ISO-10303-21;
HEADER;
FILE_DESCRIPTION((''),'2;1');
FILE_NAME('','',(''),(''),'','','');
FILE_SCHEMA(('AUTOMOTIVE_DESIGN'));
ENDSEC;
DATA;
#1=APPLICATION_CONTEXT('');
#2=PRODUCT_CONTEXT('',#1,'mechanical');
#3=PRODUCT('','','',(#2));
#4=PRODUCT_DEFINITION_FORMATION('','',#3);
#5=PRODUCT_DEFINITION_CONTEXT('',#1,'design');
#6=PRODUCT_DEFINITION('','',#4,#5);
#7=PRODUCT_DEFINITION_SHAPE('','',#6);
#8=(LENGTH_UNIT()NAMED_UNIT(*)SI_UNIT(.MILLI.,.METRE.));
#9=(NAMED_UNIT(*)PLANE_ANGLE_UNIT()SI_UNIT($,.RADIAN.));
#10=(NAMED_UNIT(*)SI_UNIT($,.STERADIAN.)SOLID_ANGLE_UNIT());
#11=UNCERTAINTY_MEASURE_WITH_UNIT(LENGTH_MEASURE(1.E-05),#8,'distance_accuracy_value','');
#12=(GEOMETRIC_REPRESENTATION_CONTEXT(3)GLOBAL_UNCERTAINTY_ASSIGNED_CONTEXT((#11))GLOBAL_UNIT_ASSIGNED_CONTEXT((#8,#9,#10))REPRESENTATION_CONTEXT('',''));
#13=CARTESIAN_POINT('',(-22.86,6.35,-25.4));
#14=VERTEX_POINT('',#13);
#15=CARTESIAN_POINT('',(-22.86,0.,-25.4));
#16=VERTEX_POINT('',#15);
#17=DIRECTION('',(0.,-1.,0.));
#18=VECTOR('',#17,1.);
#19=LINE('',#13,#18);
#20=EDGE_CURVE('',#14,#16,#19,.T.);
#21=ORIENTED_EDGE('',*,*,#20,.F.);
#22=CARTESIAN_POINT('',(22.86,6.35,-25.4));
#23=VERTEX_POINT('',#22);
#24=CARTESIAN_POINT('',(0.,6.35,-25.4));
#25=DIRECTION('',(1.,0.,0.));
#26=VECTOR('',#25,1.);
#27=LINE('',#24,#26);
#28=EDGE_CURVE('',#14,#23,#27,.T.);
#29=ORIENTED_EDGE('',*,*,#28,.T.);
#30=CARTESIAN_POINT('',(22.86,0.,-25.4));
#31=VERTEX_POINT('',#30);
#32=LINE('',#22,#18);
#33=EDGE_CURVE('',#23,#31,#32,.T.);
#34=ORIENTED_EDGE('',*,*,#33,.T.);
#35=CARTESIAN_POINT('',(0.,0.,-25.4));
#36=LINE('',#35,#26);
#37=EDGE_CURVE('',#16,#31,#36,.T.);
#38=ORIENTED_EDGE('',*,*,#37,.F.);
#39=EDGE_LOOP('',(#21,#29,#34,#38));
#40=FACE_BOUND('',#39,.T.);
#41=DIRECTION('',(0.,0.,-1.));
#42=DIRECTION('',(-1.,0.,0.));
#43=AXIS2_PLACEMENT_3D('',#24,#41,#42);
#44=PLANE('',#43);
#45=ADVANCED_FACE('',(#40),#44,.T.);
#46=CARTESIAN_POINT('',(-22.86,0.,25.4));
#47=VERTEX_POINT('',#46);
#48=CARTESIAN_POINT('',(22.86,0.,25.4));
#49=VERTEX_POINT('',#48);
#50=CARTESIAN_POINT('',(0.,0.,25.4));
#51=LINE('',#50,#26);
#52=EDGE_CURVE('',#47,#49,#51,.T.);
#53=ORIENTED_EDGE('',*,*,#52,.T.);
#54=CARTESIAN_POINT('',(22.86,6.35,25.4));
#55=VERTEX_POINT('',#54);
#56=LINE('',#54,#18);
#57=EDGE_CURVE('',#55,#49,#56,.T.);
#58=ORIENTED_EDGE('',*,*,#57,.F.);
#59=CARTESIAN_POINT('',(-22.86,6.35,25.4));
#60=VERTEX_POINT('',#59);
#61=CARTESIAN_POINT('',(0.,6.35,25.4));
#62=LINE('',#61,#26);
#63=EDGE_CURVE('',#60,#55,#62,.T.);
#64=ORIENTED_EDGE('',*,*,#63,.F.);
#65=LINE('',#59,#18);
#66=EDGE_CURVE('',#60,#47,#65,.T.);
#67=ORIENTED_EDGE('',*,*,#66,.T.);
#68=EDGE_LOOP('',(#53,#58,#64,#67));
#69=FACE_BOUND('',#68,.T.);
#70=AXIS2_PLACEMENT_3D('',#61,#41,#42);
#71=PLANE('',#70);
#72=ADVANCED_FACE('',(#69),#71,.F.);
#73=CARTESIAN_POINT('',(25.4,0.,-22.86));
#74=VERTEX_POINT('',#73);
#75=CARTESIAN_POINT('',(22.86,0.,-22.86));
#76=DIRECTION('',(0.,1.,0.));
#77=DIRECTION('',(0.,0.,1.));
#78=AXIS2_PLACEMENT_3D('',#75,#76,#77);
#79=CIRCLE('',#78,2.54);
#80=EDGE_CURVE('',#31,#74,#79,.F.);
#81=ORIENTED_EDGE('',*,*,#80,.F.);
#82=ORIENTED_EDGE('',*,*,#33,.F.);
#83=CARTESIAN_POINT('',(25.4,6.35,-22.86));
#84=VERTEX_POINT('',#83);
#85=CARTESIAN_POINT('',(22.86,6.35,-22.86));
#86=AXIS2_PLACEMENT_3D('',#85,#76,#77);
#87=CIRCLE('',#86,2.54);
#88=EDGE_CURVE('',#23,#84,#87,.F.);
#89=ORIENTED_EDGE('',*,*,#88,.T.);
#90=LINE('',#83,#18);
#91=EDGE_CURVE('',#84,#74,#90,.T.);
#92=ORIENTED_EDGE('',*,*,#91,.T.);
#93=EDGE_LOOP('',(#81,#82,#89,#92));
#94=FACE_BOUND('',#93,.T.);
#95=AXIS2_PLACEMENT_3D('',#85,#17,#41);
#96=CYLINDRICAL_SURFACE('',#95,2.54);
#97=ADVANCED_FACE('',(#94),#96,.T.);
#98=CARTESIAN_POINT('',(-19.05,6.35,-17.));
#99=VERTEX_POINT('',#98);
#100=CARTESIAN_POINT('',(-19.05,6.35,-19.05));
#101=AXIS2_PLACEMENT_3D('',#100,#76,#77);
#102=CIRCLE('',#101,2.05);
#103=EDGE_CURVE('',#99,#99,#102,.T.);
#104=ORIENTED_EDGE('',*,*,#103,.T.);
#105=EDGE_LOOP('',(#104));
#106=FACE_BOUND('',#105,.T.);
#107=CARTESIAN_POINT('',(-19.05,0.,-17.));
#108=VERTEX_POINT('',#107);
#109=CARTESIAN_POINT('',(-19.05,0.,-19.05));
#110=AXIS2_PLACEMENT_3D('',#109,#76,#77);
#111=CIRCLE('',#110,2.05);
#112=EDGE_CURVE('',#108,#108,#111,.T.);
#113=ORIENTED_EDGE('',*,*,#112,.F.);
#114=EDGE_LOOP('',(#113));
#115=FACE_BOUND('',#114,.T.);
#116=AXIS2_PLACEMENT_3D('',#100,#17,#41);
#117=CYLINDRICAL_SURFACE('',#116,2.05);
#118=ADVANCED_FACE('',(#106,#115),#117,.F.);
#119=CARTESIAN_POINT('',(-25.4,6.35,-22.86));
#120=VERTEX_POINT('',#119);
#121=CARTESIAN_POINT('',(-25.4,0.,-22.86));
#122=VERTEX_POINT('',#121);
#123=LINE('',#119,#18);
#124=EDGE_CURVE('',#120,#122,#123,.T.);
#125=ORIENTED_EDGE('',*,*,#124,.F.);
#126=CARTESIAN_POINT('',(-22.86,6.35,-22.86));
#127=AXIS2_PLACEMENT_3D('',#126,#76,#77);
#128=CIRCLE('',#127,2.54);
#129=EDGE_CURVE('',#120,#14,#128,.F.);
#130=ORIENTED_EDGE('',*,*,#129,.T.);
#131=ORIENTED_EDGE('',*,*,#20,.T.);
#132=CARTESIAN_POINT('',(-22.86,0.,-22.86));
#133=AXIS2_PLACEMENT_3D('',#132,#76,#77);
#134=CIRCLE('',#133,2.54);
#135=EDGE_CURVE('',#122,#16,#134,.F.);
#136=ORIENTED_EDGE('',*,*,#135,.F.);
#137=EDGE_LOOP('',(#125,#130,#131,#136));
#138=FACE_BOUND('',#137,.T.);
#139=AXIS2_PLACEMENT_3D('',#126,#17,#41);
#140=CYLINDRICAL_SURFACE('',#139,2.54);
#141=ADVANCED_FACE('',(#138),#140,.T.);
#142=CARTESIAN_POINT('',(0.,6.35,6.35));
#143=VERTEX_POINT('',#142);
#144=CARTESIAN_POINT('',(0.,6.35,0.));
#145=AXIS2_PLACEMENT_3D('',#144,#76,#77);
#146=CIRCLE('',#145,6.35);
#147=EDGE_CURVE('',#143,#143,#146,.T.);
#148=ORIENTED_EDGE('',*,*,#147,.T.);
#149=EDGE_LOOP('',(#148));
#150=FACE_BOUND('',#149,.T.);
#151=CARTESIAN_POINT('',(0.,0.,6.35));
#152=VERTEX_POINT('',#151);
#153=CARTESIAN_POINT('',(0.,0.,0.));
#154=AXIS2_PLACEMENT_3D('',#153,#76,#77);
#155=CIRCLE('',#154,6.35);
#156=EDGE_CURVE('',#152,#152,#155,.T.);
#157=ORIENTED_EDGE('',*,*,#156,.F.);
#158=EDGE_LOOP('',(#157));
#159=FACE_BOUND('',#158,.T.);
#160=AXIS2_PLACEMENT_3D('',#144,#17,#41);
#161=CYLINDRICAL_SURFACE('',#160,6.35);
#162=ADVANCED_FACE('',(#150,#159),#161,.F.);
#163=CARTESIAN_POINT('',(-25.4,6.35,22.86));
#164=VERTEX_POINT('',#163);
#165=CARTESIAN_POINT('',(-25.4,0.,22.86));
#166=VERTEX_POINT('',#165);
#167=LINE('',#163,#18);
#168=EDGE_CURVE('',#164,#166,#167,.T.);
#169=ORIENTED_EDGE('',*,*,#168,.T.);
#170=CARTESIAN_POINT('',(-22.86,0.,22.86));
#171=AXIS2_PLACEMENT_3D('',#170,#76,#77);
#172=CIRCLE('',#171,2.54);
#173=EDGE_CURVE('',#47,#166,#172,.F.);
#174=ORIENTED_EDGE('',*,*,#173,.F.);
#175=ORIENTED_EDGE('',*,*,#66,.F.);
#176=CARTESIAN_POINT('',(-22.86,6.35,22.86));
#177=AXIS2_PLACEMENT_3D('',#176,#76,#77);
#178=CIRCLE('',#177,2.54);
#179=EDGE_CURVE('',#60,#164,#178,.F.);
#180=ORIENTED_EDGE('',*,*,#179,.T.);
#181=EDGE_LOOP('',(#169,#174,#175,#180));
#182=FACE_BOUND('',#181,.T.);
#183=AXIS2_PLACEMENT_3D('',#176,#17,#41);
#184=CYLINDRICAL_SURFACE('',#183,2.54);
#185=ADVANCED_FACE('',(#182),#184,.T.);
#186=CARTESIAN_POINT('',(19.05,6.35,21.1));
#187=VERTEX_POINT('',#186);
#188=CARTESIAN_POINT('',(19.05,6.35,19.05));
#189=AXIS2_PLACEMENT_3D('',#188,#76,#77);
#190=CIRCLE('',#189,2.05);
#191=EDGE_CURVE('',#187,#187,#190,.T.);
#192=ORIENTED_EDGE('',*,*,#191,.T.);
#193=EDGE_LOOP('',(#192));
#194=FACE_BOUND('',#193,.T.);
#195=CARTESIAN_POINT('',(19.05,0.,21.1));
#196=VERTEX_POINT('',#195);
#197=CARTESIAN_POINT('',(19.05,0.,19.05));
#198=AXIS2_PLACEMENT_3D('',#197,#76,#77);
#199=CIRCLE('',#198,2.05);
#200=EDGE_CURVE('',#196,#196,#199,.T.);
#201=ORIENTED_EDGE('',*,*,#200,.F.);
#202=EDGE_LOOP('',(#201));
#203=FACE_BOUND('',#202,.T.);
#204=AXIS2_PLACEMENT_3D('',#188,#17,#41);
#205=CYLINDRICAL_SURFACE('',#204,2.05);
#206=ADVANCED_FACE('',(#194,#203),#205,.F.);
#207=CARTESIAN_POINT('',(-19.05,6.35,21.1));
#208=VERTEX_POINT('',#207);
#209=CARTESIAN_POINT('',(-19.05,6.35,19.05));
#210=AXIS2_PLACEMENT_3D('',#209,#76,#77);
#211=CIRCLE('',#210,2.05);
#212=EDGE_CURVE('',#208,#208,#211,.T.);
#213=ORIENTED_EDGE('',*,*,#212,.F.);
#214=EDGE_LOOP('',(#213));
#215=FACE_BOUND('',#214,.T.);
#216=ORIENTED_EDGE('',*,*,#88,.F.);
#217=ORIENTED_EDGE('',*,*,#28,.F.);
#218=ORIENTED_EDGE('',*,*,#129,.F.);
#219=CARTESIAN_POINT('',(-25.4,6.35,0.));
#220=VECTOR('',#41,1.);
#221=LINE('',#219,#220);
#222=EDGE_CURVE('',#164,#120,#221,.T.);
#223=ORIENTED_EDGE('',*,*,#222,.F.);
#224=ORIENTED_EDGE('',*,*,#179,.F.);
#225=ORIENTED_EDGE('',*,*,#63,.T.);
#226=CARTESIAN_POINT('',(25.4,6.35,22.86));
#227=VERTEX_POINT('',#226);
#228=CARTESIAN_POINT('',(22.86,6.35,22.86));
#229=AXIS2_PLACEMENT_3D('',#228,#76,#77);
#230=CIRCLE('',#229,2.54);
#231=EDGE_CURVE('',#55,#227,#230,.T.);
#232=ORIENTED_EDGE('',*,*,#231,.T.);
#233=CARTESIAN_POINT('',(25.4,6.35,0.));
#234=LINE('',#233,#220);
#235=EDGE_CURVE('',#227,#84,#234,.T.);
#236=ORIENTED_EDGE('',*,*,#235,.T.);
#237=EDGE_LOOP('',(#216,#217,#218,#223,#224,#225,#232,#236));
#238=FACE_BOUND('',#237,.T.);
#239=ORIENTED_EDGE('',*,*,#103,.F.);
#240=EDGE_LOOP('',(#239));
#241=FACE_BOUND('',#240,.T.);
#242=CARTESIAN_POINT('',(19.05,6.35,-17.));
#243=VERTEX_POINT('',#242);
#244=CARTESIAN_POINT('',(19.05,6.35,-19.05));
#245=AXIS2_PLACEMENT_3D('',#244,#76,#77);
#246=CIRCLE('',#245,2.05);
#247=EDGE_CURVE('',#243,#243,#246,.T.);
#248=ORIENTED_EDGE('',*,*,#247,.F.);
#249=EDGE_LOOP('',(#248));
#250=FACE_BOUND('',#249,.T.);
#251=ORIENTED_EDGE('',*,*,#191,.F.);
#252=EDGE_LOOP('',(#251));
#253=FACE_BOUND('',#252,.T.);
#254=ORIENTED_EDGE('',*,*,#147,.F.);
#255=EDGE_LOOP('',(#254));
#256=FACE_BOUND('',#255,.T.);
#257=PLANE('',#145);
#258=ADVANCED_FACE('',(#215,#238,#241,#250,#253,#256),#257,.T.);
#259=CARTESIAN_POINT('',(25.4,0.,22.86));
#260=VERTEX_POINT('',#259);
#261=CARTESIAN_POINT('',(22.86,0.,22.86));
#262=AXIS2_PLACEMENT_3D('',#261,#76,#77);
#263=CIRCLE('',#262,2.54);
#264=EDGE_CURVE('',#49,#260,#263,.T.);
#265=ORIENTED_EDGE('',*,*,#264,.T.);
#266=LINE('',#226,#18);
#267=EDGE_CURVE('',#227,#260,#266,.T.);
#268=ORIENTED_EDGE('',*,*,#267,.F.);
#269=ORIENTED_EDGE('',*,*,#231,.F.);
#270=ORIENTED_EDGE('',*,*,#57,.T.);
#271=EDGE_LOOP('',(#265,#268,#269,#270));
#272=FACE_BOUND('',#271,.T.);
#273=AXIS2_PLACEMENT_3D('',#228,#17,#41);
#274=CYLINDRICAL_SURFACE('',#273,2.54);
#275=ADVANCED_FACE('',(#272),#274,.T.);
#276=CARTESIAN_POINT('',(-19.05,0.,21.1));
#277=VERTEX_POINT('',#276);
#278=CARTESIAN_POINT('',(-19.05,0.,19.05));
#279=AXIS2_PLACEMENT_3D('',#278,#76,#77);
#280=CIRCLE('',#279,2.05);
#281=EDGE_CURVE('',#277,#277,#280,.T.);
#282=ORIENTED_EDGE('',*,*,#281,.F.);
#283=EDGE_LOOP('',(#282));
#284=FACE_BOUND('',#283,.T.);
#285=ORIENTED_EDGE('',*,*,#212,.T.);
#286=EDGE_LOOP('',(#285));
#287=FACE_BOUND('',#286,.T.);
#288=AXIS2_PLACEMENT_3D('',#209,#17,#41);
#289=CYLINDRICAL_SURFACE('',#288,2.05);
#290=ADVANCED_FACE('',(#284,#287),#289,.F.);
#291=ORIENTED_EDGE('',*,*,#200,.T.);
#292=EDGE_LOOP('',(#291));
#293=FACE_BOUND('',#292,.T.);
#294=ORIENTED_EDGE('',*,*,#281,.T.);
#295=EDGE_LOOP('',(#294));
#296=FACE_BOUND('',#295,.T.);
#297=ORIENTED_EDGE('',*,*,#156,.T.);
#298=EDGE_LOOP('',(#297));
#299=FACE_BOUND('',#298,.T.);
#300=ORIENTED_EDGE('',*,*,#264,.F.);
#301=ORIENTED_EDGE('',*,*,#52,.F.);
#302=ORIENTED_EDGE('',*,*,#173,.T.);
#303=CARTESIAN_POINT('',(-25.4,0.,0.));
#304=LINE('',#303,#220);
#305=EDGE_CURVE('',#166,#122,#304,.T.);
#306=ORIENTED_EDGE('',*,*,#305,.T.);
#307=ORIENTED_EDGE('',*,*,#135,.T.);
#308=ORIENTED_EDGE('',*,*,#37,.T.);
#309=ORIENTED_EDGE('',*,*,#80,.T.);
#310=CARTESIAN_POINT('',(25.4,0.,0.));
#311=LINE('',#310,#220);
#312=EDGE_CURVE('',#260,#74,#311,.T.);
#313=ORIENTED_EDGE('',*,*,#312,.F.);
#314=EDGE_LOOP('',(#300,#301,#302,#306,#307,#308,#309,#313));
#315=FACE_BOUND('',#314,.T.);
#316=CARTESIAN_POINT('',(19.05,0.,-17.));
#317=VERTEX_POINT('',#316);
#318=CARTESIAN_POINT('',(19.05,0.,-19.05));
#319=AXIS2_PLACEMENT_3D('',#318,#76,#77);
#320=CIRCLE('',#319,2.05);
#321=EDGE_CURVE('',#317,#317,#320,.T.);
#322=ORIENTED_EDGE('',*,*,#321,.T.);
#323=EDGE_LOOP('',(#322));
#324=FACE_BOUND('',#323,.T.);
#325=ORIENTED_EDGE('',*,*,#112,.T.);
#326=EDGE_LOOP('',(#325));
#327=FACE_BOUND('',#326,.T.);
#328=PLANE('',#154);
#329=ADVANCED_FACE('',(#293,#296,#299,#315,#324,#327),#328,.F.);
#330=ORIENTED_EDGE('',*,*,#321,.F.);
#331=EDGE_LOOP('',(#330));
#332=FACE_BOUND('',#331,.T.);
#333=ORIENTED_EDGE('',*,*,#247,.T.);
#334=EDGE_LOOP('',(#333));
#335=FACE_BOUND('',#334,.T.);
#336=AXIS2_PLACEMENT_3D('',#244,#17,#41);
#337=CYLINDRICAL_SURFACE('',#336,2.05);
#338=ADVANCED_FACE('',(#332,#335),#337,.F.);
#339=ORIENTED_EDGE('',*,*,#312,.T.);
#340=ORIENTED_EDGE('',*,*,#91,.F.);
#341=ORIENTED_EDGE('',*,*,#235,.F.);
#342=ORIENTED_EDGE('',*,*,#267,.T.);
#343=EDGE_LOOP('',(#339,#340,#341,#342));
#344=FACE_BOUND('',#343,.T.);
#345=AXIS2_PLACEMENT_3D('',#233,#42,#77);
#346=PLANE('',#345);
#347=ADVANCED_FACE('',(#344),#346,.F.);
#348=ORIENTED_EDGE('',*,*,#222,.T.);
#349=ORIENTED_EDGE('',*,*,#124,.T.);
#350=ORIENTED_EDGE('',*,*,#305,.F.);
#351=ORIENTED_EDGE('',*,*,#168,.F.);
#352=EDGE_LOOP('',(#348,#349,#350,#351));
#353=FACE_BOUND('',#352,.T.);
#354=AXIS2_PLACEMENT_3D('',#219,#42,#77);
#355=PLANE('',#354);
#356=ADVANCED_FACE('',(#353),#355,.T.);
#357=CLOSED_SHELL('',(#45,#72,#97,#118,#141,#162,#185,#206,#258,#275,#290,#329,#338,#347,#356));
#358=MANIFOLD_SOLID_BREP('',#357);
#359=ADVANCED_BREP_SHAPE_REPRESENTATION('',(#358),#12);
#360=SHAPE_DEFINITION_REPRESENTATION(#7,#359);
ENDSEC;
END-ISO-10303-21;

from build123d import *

# Parameters (mm, degrees)
SKETCH2_R           = 2.05
SKETCH2_R_2         = 6.35
BOSS_EXTRUDE1_DEPTH = 6.35


with BuildPart() as part:
    # Sketch2 → Boss-Extrude1 (new body)
    with BuildSketch(Plane(origin=(0, 0, 0), x_dir=(1, 0, 0), z_dir=(0, 1, 0))):
        with BuildLine():
            ThreePointArc((-25.4, 22.86), (-24.656051224, 24.656051224), (-22.86, 25.4))
            Line((-22.86, 25.4), (22.86, 25.4))
            ThreePointArc((22.86, 25.4), (24.656051224, 24.656051224), (25.4, 22.86))
            Line((25.4, 22.86), (25.4, -22.86))
            ThreePointArc((25.4, -22.86), (24.656051224, -24.656051224), (22.86, -25.4))
            Line((22.86, -25.4), (-22.86, -25.4))
            ThreePointArc((-22.86, -25.4), (-24.656051224, -24.656051224), (-25.4, -22.86))
            Line((-25.4, -22.86), (-25.4, 22.86))
        make_face()
        with Locations(Location((-19.05, -19.05, 0), (0, 0, 270))):
            Circle(SKETCH2_R, mode=Mode.SUBTRACT)
        with Locations(Location((19.05, -19.05, 0), (0, 0, 270))):
            Circle(SKETCH2_R, mode=Mode.SUBTRACT)
        with Locations(Location((19.05, 19.05, 0), (0, 0, 270))):
            Circle(SKETCH2_R, mode=Mode.SUBTRACT)
        with Locations(Location((0, 0, 0), (0, 0, 270))):
            Circle(SKETCH2_R_2, mode=Mode.SUBTRACT)
        with Locations(Location((-19.05, 19.05, 0), (0, 0, 270))):
            Circle(SKETCH2_R, mode=Mode.SUBTRACT)
    extrude(amount=BOSS_EXTRUDE1_DEPTH)


solid = part.part
